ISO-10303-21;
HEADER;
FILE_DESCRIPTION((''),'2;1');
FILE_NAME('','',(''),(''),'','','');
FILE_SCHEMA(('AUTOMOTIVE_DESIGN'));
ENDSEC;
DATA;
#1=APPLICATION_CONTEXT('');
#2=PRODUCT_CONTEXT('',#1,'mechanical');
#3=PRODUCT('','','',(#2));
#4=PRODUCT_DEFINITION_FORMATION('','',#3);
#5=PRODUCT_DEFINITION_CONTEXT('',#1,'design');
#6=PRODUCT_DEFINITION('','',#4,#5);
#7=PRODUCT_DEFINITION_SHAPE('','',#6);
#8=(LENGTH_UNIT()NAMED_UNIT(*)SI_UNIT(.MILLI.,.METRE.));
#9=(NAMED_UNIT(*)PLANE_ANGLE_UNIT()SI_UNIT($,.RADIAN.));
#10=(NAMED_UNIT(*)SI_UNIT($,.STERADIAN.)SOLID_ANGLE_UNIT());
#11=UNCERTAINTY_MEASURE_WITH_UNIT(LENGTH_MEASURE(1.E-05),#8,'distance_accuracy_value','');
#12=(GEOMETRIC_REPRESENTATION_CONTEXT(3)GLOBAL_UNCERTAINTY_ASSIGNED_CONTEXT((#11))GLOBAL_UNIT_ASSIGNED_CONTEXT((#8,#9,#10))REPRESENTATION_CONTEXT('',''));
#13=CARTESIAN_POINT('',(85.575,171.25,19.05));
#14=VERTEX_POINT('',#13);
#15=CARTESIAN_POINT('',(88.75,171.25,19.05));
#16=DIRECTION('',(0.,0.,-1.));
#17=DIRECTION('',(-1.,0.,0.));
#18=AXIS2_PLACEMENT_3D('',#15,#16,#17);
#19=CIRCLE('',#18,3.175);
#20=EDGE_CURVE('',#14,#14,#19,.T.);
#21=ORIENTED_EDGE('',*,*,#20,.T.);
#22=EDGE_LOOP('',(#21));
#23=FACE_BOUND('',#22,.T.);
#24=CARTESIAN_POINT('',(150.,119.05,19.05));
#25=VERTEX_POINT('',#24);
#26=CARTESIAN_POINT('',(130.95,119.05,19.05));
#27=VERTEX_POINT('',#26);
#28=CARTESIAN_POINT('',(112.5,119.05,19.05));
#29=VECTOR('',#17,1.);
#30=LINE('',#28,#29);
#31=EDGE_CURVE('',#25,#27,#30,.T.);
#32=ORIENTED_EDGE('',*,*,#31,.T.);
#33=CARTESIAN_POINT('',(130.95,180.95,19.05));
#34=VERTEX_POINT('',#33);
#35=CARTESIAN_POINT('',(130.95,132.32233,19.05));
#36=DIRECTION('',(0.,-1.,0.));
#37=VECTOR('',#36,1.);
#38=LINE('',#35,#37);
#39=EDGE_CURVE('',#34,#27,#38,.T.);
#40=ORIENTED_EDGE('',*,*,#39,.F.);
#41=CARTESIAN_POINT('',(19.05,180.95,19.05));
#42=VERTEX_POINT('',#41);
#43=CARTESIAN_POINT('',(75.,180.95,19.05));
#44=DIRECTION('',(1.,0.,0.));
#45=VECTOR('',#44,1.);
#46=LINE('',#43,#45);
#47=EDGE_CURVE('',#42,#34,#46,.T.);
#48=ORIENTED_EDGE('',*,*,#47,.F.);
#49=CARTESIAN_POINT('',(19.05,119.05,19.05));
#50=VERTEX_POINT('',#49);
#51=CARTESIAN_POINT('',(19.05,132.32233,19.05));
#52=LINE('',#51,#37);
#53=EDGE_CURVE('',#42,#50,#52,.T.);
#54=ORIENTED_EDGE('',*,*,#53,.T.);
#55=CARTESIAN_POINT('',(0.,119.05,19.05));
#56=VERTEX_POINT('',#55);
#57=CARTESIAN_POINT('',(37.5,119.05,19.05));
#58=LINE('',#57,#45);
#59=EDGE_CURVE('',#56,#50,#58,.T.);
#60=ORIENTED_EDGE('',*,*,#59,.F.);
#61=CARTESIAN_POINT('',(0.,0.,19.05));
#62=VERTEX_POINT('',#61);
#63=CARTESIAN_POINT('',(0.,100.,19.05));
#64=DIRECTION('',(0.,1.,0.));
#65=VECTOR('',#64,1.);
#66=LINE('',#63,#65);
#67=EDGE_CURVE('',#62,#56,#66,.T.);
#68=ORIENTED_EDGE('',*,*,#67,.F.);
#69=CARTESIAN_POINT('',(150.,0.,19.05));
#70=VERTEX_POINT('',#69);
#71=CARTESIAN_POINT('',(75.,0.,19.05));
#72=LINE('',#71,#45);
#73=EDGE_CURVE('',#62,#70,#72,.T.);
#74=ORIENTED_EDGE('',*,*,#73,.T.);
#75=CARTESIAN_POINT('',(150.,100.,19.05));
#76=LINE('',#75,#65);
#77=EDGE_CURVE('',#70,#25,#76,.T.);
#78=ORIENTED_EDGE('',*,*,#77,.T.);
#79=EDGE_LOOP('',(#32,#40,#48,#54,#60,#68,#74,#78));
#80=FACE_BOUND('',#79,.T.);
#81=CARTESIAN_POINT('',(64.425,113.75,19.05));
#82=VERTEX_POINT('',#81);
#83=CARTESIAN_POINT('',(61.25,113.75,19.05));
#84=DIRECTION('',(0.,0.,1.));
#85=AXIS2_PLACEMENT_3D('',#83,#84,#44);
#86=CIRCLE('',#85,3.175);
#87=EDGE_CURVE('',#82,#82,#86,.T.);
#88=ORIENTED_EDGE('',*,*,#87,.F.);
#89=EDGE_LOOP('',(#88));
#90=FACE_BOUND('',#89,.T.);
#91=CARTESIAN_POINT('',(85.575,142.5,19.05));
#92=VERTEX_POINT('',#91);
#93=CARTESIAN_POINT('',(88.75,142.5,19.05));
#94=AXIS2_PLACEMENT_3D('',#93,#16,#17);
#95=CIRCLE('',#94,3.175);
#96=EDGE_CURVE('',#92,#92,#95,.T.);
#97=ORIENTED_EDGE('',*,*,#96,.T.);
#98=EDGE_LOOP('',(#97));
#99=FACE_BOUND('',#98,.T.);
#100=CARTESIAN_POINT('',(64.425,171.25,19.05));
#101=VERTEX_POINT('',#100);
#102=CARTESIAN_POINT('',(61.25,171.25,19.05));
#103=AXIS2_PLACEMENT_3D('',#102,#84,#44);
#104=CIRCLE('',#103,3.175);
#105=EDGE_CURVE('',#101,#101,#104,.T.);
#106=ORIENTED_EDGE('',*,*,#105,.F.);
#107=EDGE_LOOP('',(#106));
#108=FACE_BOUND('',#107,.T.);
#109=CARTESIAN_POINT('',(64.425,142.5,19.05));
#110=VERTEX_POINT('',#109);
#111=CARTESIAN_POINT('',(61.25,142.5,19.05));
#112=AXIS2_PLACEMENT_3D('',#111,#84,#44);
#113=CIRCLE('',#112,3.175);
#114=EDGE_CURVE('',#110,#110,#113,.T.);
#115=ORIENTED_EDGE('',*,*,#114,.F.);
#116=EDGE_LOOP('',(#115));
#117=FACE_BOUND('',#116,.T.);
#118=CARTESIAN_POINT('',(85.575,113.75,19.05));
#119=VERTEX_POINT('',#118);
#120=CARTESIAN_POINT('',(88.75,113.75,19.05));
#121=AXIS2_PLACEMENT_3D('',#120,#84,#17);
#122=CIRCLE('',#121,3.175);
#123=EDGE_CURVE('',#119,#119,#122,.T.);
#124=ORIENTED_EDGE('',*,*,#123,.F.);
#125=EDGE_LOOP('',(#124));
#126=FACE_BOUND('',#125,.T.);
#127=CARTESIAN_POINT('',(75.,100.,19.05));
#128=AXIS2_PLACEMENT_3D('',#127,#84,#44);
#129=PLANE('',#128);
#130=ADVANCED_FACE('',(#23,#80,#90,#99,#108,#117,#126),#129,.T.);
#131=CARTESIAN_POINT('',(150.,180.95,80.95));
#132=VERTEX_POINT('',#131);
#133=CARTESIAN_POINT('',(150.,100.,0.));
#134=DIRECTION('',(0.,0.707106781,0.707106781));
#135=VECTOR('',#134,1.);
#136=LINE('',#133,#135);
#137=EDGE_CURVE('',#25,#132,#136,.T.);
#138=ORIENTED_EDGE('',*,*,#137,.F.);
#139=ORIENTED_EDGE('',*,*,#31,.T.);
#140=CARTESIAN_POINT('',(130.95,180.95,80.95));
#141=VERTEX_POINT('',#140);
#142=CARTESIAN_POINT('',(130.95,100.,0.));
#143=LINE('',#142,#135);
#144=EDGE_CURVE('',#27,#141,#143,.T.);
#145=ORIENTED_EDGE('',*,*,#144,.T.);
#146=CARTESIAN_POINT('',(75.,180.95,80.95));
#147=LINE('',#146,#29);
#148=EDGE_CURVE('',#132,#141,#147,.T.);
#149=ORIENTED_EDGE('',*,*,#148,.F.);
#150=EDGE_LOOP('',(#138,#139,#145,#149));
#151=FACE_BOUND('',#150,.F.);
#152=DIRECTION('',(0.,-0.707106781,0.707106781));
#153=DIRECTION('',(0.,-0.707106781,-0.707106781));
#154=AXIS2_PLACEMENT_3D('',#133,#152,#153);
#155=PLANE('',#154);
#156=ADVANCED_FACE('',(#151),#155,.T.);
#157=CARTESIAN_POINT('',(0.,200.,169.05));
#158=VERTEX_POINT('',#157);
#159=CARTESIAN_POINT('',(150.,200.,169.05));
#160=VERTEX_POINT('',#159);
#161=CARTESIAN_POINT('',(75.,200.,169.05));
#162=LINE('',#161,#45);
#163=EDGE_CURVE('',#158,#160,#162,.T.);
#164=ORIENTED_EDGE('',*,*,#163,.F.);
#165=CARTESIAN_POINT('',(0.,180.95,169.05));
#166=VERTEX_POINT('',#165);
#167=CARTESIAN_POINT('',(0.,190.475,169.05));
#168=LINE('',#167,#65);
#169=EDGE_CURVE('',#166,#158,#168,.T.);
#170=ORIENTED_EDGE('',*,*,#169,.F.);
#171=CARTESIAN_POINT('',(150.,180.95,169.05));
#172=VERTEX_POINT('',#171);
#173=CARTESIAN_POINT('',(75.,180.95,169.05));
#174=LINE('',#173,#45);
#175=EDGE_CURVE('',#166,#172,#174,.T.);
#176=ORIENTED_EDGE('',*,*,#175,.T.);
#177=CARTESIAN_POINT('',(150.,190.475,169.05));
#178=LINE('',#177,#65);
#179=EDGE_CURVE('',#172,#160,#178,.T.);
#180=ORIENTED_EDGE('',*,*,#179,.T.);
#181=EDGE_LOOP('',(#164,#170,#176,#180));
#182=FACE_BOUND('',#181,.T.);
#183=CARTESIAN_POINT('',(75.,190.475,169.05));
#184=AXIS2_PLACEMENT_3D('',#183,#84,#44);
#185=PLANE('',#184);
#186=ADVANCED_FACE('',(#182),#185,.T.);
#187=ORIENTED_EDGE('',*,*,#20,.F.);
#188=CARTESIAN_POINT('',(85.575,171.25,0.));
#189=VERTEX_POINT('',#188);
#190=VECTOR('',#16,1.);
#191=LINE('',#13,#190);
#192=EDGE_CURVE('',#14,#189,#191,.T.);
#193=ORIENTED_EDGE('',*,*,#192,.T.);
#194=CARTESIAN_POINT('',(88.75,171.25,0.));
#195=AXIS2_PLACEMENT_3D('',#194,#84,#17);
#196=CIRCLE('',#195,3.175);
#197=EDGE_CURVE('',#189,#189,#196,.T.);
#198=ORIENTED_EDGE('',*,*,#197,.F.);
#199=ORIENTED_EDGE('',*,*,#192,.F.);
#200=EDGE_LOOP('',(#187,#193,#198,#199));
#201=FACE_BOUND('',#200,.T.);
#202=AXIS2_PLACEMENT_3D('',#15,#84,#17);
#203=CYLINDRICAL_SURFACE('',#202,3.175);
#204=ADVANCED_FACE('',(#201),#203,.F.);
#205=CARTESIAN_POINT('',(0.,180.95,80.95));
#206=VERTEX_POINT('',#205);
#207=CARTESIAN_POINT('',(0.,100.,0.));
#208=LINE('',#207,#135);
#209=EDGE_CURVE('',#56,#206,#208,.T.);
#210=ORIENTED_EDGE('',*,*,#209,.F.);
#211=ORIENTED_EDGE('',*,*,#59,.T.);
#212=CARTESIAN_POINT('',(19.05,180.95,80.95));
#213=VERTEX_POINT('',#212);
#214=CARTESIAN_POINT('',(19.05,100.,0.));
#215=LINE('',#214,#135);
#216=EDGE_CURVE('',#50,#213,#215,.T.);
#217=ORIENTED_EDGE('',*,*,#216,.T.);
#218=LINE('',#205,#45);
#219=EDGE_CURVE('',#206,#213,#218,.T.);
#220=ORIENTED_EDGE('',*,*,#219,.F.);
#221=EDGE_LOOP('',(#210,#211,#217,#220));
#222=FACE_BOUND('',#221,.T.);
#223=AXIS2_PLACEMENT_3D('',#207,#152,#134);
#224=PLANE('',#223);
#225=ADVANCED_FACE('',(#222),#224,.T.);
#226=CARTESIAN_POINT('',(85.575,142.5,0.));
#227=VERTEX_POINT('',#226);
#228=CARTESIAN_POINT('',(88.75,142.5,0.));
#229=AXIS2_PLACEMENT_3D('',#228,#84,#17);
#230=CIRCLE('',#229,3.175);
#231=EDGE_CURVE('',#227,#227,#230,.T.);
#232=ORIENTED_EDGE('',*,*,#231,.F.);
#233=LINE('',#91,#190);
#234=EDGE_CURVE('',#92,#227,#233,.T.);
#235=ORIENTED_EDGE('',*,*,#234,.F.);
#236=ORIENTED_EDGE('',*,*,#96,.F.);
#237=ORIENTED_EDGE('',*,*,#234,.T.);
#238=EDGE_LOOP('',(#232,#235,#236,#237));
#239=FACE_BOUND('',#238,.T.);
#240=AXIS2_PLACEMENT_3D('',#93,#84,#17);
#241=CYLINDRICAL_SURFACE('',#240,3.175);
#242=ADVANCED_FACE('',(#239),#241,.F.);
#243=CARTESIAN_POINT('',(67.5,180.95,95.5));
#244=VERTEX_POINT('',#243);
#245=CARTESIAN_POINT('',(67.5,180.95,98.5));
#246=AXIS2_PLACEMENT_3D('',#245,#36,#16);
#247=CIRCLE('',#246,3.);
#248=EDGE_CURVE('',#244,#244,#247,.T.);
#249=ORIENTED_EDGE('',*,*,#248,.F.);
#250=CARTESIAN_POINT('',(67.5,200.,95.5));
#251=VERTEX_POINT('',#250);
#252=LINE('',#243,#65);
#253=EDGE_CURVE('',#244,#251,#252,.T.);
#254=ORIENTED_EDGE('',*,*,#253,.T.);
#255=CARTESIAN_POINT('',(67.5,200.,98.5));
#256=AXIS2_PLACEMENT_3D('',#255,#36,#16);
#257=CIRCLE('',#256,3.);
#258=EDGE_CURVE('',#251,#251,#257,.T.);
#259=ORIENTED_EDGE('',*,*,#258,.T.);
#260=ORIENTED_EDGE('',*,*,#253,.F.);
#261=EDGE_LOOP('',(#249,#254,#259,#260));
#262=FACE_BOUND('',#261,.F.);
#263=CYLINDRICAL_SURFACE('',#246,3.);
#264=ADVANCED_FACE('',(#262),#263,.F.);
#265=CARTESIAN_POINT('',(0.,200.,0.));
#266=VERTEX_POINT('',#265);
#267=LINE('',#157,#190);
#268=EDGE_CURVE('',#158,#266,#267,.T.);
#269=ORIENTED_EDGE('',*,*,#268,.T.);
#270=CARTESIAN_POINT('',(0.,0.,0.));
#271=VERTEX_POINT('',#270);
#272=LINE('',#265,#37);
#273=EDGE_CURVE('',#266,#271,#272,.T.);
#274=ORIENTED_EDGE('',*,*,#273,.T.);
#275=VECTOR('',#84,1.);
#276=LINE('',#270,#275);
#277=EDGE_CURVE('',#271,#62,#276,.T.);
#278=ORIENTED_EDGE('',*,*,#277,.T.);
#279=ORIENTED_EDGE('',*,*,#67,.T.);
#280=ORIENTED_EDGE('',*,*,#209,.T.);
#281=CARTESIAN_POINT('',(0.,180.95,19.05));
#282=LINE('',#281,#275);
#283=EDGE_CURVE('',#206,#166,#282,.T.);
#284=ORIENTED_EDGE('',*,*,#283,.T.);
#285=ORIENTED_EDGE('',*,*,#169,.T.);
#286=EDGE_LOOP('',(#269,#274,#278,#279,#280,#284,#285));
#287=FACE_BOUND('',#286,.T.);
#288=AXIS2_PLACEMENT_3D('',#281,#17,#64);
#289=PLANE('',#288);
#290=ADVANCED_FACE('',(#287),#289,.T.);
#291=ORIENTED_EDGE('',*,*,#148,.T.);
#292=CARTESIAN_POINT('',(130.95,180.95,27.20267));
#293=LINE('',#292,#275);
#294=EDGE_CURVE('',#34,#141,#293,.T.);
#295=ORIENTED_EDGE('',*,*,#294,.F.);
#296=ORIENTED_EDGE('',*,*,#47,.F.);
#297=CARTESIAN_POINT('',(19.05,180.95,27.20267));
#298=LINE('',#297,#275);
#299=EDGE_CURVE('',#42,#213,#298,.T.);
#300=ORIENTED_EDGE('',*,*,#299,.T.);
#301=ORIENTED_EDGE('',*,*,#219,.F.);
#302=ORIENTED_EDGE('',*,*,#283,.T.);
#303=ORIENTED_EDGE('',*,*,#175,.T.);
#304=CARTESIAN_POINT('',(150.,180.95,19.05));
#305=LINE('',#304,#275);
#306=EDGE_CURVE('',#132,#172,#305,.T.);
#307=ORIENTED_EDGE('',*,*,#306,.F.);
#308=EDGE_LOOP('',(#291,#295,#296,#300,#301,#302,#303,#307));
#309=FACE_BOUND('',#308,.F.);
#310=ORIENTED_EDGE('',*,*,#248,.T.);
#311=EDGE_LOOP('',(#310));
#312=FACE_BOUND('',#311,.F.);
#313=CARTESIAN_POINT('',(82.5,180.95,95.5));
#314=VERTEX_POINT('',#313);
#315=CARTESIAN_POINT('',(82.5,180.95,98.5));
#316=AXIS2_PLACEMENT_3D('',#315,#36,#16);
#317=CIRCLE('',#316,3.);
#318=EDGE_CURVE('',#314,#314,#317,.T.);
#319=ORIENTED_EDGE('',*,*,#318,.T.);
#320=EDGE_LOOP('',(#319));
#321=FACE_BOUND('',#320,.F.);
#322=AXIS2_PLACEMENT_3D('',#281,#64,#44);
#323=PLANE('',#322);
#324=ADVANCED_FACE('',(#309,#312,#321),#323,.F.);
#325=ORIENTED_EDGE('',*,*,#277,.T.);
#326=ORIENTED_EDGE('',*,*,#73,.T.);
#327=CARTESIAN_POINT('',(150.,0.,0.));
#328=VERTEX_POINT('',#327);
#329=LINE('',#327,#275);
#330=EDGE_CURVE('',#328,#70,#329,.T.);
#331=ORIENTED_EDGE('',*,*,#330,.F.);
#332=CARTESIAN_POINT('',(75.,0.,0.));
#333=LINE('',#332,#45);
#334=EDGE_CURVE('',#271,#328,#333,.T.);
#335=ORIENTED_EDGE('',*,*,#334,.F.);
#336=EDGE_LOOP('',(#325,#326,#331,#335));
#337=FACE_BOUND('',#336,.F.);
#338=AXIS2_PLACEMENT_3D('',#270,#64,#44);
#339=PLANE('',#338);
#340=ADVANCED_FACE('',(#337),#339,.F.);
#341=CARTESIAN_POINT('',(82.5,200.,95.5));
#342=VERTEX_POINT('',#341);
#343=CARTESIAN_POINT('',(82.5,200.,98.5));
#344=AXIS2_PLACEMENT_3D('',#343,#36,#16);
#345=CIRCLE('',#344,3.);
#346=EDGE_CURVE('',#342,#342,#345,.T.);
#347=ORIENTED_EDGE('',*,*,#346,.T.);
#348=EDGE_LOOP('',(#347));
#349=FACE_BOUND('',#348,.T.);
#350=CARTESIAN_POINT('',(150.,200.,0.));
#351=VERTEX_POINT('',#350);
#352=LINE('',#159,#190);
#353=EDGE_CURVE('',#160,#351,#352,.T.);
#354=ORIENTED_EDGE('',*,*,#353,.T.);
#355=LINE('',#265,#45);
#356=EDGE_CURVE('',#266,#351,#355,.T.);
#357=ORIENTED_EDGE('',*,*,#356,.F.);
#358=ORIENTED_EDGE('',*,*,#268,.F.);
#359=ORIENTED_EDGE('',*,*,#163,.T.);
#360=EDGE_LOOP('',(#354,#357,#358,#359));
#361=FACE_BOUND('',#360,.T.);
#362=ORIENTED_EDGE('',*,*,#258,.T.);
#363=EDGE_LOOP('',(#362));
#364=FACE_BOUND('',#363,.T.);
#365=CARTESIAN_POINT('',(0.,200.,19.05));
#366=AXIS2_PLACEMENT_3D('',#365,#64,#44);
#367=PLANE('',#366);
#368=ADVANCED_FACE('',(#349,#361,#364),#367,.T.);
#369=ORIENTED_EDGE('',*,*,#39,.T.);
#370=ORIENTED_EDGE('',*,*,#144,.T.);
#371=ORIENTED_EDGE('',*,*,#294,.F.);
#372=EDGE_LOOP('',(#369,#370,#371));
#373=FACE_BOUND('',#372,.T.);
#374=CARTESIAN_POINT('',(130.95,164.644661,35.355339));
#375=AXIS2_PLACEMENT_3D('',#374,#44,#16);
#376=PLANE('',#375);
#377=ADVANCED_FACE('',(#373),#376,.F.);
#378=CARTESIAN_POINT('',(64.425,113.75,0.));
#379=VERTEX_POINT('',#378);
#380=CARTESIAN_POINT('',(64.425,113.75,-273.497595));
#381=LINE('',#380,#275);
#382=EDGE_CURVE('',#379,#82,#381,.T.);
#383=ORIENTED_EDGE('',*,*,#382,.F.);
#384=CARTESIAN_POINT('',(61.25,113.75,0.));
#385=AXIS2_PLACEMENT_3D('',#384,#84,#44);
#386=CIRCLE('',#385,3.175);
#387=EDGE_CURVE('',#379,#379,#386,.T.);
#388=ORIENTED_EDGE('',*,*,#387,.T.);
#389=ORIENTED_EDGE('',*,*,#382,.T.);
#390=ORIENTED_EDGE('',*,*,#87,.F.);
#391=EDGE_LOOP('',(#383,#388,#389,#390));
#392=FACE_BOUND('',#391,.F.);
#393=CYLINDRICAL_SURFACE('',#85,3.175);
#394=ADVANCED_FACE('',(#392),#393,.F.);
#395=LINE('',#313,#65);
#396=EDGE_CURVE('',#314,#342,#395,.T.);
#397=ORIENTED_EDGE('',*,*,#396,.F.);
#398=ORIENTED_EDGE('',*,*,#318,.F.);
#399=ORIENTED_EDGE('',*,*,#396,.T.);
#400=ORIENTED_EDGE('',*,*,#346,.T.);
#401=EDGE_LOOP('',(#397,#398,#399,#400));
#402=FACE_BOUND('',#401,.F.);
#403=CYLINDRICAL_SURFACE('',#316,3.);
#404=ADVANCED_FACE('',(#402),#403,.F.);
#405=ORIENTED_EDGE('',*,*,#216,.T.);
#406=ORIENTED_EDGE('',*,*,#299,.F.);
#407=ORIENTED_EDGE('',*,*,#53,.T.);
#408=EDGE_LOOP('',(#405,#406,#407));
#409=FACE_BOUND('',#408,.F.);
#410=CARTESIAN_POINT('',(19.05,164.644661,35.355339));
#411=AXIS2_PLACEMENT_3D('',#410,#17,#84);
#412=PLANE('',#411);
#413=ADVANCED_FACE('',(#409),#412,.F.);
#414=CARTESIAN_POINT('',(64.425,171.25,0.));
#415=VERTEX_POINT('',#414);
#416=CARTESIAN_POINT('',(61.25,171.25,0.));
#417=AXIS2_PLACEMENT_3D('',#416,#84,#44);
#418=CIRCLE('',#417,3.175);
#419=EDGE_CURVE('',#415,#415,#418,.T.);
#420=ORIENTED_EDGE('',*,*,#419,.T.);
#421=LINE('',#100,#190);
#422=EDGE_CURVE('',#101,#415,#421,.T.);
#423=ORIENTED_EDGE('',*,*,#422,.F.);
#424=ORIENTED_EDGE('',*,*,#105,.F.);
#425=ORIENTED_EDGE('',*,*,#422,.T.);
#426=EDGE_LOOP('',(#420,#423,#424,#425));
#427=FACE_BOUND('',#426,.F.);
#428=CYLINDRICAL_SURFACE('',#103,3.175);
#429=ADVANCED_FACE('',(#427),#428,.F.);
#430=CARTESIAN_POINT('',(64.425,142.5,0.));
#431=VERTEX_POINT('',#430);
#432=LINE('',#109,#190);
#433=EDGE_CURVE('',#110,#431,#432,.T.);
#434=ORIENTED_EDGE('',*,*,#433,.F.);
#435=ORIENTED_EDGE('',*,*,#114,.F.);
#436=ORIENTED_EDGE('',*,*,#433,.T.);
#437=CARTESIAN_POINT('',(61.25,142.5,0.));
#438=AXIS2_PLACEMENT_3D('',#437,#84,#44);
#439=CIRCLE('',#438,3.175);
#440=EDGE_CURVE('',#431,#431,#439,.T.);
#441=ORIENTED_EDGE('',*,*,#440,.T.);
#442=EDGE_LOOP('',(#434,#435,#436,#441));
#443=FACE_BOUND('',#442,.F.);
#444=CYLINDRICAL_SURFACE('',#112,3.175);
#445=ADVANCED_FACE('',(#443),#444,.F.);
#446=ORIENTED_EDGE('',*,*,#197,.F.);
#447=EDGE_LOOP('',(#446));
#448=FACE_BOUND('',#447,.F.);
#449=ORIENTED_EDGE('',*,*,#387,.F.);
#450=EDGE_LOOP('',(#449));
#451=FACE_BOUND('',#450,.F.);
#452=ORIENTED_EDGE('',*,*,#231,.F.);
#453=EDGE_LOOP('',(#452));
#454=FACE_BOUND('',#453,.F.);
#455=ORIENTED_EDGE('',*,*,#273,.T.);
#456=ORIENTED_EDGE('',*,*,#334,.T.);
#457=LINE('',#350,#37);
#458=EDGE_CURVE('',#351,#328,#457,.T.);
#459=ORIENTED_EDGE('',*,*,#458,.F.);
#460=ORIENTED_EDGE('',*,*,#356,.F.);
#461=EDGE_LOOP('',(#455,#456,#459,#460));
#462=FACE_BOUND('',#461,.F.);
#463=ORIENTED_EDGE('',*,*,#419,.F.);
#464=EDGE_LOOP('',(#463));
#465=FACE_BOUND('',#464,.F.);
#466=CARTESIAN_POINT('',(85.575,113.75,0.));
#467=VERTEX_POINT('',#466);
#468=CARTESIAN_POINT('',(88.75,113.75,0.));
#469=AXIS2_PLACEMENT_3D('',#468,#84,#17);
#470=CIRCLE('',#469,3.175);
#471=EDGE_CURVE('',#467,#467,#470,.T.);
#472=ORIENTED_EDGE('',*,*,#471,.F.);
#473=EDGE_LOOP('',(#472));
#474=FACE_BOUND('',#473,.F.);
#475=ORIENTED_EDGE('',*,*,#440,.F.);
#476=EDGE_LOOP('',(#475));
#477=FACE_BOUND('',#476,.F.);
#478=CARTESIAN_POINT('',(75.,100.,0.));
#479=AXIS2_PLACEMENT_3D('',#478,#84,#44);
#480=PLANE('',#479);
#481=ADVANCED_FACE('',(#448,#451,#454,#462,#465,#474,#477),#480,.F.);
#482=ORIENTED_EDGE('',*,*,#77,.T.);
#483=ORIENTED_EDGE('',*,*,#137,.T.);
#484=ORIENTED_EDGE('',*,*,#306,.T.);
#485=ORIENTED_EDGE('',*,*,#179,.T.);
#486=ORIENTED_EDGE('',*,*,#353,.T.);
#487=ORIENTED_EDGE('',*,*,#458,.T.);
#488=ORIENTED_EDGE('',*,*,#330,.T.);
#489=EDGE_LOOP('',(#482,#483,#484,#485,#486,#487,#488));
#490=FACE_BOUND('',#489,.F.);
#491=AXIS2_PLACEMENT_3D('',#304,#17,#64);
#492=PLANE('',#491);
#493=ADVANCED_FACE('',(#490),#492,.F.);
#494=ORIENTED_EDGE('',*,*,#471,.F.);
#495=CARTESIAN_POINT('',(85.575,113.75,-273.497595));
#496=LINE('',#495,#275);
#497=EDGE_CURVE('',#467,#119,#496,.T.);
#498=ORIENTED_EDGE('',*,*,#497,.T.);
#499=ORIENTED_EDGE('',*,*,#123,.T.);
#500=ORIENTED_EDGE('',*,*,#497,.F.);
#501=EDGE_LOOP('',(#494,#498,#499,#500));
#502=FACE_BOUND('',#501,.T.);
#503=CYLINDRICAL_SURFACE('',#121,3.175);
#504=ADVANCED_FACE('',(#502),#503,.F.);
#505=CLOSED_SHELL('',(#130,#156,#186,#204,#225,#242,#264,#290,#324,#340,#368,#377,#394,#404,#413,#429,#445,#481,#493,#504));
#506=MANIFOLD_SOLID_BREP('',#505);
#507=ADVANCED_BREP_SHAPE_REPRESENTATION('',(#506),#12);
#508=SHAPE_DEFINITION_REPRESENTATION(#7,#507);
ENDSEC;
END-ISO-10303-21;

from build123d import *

# Parameters (mm, degrees)
SKETCH1_W           = 150
SKETCH1_H           = 200
PLATE_DEPTH         = 19.05
SKETCH2_W           = 150
SKETCH2_H           = 19.05
BOSS_EXTRUDE1_DEPTH = 150
BOSS_EXTRUDE2_DEPTH = 19.05
SKETCH4_R           = 3.175
CUT_EXTRUDE1_DEPTH  = 292.547594742
SKETCH6_R           = 3
CUT_EXTRUDE2_DEPTH  = 290.518229132


with BuildPart() as part:
    # Sketch1 → Plate (new body)
    with BuildSketch(Plane.XY):
        with Locations((75, 100)):
            Rectangle(SKETCH1_W, SKETCH1_H)
    extrude(amount=PLATE_DEPTH)

    # Sketch2 → Boss-Extrude1 (add)
    with BuildSketch(Plane.XY.offset(19.05)):
        with Locations((75, 190.475)):
            Rectangle(SKETCH2_W, SKETCH2_H)
    extrude(amount=BOSS_EXTRUDE1_DEPTH)

    # Sketch3 → Boss-Extrude2 (add)
    with BuildSketch(Plane.ZY):
        Polygon((0, 200), (0, 100), (100, 200), align=None)
    boss_extrude2 = extrude(amount=-BOSS_EXTRUDE2_DEPTH)

    # Mirror1: Boss-Extrude2 across plane
    add(boss_extrude2.mirror(Plane.ZY.offset(-75)))

    # Sketch4 → Cut-Extrude1 (cut, symmetric)
    with BuildSketch(Plane.XY.offset(19.05)):
        with Locations((61.25, 171.25)):
            Circle(SKETCH4_R)
        with Locations((61.25, 142.5)):
            Circle(SKETCH4_R)
        with Locations((61.25, 113.75)):
            Circle(SKETCH4_R)
    cut_extrude1 = extrude(amount=CUT_EXTRUDE1_DEPTH, both=True, mode=Mode.SUBTRACT)

    # Mirror2: Cut-Extrude1 across plane
    add(cut_extrude1.mirror(Plane.ZY.offset(-75)), mode=Mode.SUBTRACT)

    # Sketch6 → Cut-Extrude2 (cut, through all)
    with BuildSketch(Plane.XZ.offset(-180.95)):
        with Locations(Location((67.5, 98.5, 0), (0, 0, 270))):
            Circle(SKETCH6_R)
        with Locations(Location((82.5, 98.5, 0), (0, 0, 270))):
            Circle(SKETCH6_R)
    extrude(amount=-CUT_EXTRUDE2_DEPTH, mode=Mode.SUBTRACT)


solid = part.part
